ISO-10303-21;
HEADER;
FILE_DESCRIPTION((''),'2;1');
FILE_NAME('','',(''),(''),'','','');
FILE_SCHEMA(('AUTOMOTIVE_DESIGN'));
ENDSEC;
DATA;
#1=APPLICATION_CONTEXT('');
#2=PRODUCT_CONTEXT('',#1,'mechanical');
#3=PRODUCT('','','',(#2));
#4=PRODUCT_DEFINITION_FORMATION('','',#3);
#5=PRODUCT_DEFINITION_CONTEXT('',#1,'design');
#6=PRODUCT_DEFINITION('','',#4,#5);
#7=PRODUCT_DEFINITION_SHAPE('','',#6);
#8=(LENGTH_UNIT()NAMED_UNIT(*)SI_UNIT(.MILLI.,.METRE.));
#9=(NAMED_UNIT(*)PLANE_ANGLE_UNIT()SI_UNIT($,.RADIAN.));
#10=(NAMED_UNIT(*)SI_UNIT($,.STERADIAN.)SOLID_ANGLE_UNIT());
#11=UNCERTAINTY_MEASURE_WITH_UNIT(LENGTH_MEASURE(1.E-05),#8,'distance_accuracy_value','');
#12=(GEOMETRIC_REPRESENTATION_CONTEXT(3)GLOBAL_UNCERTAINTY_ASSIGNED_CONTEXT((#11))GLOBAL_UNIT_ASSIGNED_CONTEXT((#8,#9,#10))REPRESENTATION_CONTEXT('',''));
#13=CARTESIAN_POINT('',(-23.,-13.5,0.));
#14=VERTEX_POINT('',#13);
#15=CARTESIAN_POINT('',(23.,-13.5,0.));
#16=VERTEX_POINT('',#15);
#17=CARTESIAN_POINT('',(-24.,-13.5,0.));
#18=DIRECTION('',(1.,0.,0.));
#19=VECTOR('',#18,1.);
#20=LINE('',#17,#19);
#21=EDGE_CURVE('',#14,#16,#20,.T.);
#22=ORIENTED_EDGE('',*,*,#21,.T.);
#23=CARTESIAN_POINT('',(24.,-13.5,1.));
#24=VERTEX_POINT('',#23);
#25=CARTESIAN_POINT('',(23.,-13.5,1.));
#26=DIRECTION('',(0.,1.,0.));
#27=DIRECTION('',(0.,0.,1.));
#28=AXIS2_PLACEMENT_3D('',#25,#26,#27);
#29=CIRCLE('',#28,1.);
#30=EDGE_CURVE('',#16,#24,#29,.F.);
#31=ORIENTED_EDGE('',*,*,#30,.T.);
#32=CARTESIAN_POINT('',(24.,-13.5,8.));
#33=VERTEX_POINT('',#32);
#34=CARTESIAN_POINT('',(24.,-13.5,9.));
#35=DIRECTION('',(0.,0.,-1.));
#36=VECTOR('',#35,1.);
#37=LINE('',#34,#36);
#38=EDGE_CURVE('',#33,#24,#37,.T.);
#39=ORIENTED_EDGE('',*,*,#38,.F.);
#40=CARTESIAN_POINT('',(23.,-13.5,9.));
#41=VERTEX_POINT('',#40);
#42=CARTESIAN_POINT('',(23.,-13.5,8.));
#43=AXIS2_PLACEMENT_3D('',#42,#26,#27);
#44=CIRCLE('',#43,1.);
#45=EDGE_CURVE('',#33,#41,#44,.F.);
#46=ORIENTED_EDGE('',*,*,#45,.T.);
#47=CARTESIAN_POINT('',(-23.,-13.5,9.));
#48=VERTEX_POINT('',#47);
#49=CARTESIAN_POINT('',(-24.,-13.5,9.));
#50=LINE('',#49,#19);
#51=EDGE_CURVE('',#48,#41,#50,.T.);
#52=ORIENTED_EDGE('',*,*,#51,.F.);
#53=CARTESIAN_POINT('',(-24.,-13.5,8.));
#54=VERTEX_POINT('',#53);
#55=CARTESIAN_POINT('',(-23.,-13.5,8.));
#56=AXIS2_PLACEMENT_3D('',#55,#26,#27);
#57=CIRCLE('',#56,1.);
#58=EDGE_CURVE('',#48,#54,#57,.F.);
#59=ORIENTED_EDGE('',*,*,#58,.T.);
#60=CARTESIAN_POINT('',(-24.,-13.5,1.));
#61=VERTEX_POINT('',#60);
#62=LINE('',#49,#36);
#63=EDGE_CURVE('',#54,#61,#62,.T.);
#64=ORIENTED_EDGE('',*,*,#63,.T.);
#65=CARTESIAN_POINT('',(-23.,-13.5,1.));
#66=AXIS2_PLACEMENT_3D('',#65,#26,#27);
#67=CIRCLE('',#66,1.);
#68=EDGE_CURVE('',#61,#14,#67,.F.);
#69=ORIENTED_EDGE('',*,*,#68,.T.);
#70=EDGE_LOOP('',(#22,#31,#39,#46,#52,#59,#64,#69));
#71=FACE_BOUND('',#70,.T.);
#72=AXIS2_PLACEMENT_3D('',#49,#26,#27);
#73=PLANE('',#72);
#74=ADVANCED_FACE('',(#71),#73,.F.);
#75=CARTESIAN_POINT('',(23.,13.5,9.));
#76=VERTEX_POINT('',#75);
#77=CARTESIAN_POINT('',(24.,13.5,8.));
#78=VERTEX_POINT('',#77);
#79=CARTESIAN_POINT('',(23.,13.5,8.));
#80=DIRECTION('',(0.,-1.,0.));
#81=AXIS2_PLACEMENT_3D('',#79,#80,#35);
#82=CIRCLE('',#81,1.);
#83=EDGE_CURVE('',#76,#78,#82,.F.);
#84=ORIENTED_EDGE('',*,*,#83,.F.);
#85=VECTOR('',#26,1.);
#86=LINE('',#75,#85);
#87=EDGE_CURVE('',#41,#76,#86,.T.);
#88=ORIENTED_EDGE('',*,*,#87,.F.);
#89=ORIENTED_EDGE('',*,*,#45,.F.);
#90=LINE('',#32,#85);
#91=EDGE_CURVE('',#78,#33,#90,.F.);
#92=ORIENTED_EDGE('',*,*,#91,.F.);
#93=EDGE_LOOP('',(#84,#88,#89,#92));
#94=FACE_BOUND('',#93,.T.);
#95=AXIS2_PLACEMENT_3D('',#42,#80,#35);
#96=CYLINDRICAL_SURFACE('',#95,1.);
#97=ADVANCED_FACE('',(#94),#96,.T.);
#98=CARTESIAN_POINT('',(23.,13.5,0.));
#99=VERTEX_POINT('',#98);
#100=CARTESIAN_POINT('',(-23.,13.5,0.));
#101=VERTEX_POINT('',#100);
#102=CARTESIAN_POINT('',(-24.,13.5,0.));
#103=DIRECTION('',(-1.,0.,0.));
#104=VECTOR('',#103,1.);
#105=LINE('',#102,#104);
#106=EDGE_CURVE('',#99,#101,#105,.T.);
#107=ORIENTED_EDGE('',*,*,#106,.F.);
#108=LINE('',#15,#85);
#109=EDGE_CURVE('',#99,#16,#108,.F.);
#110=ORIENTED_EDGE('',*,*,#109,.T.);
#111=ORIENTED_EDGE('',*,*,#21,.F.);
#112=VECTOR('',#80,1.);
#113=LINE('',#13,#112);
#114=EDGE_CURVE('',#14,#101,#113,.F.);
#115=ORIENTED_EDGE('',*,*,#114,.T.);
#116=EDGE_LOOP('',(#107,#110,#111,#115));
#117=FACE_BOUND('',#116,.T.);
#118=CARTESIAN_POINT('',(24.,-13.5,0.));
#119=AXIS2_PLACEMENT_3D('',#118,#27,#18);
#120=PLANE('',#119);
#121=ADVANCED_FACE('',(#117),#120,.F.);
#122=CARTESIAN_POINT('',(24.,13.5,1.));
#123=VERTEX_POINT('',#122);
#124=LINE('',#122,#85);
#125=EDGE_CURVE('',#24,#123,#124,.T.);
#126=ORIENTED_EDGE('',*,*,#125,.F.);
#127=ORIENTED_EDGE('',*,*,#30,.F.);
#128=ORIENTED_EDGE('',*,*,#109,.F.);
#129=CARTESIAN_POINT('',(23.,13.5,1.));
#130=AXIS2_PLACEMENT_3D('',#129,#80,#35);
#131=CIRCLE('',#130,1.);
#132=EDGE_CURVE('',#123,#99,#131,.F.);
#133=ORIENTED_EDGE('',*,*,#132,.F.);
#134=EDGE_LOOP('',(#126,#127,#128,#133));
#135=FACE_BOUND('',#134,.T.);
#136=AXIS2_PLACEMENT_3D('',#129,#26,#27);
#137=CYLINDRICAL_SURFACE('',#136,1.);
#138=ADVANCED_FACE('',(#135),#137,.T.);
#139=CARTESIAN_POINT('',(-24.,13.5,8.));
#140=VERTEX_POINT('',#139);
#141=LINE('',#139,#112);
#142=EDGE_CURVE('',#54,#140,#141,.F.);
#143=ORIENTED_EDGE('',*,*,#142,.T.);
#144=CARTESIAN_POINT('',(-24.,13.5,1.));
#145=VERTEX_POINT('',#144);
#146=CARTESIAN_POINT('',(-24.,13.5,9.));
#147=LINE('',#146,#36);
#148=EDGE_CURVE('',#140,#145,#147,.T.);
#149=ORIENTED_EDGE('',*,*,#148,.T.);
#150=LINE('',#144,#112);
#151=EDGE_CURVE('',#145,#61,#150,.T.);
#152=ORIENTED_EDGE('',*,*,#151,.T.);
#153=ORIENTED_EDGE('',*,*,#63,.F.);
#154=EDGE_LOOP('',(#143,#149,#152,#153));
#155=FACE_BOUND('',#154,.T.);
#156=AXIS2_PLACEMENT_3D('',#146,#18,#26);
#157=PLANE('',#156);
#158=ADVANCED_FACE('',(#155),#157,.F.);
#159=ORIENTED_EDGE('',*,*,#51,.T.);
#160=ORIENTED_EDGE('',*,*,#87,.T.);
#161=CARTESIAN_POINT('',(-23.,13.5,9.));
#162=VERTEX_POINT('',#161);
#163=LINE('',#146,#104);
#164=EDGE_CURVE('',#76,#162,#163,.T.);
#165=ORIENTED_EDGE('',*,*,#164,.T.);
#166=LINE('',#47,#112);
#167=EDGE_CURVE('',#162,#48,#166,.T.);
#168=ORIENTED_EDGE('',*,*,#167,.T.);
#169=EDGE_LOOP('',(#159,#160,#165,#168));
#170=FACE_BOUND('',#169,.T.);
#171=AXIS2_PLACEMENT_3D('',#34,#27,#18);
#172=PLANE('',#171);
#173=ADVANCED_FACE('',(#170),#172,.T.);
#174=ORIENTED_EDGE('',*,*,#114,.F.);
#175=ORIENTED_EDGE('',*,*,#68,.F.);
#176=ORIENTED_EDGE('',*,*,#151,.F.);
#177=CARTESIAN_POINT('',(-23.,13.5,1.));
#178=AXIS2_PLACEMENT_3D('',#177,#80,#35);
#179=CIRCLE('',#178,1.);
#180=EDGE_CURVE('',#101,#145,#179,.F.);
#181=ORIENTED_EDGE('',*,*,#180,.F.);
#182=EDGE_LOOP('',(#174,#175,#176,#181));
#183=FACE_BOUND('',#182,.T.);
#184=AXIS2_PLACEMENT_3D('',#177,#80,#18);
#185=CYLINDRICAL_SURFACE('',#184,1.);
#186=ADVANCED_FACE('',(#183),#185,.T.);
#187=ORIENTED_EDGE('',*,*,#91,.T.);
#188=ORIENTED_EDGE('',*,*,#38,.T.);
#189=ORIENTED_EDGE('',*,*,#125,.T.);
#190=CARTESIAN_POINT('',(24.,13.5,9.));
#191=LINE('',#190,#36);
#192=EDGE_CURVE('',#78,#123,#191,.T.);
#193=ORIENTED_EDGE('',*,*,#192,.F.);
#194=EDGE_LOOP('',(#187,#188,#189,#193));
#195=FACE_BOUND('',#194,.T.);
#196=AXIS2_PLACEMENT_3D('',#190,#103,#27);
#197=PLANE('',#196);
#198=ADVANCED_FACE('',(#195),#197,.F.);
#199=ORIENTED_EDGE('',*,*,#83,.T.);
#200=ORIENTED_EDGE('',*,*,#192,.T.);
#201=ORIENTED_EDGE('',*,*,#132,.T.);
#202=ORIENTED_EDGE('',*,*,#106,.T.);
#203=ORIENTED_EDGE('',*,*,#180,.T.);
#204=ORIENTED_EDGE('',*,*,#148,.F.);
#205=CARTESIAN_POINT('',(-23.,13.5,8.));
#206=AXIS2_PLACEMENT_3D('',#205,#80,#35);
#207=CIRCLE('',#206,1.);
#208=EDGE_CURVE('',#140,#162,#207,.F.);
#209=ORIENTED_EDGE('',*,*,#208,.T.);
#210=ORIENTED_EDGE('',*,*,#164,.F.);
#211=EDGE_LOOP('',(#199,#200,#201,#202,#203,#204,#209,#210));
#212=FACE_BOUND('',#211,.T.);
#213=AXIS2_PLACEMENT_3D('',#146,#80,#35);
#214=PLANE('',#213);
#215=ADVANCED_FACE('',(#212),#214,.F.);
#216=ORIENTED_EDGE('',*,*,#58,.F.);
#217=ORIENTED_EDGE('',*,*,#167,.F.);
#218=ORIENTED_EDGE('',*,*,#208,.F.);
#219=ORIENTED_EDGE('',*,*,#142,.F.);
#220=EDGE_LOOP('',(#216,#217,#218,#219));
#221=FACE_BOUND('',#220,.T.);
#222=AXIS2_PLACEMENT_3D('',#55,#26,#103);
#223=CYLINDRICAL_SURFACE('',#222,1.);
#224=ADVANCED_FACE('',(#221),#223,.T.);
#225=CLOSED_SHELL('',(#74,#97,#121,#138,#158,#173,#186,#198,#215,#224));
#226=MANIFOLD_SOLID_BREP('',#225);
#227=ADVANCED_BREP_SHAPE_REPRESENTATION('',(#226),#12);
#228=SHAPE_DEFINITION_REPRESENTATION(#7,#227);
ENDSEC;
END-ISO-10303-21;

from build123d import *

# Parameters (mm, degrees)
SKETCH1_W           = 48
SKETCH1_H           = 27
BOSS_EXTRUDE1_DEPTH = 9
FILLET1_R           = 1


with BuildPart() as part:
    # Sketch1 → Boss-Extrude1 (new body)
    with BuildSketch(Plane.XY):
        Rectangle(SKETCH1_W, SKETCH1_H)
    extrude(amount=BOSS_EXTRUDE1_DEPTH)

    # Fillet1
    fillet1_edges = [part.edges().sort_by_distance(p)[0] for p in [
        (-24, 0, 9),
        (24, 0, 9),
        (-24, 0, 0),
        (24, 0, 0),
    ]]
    fillet(fillet1_edges, radius=FILLET1_R)


solid = part.part
